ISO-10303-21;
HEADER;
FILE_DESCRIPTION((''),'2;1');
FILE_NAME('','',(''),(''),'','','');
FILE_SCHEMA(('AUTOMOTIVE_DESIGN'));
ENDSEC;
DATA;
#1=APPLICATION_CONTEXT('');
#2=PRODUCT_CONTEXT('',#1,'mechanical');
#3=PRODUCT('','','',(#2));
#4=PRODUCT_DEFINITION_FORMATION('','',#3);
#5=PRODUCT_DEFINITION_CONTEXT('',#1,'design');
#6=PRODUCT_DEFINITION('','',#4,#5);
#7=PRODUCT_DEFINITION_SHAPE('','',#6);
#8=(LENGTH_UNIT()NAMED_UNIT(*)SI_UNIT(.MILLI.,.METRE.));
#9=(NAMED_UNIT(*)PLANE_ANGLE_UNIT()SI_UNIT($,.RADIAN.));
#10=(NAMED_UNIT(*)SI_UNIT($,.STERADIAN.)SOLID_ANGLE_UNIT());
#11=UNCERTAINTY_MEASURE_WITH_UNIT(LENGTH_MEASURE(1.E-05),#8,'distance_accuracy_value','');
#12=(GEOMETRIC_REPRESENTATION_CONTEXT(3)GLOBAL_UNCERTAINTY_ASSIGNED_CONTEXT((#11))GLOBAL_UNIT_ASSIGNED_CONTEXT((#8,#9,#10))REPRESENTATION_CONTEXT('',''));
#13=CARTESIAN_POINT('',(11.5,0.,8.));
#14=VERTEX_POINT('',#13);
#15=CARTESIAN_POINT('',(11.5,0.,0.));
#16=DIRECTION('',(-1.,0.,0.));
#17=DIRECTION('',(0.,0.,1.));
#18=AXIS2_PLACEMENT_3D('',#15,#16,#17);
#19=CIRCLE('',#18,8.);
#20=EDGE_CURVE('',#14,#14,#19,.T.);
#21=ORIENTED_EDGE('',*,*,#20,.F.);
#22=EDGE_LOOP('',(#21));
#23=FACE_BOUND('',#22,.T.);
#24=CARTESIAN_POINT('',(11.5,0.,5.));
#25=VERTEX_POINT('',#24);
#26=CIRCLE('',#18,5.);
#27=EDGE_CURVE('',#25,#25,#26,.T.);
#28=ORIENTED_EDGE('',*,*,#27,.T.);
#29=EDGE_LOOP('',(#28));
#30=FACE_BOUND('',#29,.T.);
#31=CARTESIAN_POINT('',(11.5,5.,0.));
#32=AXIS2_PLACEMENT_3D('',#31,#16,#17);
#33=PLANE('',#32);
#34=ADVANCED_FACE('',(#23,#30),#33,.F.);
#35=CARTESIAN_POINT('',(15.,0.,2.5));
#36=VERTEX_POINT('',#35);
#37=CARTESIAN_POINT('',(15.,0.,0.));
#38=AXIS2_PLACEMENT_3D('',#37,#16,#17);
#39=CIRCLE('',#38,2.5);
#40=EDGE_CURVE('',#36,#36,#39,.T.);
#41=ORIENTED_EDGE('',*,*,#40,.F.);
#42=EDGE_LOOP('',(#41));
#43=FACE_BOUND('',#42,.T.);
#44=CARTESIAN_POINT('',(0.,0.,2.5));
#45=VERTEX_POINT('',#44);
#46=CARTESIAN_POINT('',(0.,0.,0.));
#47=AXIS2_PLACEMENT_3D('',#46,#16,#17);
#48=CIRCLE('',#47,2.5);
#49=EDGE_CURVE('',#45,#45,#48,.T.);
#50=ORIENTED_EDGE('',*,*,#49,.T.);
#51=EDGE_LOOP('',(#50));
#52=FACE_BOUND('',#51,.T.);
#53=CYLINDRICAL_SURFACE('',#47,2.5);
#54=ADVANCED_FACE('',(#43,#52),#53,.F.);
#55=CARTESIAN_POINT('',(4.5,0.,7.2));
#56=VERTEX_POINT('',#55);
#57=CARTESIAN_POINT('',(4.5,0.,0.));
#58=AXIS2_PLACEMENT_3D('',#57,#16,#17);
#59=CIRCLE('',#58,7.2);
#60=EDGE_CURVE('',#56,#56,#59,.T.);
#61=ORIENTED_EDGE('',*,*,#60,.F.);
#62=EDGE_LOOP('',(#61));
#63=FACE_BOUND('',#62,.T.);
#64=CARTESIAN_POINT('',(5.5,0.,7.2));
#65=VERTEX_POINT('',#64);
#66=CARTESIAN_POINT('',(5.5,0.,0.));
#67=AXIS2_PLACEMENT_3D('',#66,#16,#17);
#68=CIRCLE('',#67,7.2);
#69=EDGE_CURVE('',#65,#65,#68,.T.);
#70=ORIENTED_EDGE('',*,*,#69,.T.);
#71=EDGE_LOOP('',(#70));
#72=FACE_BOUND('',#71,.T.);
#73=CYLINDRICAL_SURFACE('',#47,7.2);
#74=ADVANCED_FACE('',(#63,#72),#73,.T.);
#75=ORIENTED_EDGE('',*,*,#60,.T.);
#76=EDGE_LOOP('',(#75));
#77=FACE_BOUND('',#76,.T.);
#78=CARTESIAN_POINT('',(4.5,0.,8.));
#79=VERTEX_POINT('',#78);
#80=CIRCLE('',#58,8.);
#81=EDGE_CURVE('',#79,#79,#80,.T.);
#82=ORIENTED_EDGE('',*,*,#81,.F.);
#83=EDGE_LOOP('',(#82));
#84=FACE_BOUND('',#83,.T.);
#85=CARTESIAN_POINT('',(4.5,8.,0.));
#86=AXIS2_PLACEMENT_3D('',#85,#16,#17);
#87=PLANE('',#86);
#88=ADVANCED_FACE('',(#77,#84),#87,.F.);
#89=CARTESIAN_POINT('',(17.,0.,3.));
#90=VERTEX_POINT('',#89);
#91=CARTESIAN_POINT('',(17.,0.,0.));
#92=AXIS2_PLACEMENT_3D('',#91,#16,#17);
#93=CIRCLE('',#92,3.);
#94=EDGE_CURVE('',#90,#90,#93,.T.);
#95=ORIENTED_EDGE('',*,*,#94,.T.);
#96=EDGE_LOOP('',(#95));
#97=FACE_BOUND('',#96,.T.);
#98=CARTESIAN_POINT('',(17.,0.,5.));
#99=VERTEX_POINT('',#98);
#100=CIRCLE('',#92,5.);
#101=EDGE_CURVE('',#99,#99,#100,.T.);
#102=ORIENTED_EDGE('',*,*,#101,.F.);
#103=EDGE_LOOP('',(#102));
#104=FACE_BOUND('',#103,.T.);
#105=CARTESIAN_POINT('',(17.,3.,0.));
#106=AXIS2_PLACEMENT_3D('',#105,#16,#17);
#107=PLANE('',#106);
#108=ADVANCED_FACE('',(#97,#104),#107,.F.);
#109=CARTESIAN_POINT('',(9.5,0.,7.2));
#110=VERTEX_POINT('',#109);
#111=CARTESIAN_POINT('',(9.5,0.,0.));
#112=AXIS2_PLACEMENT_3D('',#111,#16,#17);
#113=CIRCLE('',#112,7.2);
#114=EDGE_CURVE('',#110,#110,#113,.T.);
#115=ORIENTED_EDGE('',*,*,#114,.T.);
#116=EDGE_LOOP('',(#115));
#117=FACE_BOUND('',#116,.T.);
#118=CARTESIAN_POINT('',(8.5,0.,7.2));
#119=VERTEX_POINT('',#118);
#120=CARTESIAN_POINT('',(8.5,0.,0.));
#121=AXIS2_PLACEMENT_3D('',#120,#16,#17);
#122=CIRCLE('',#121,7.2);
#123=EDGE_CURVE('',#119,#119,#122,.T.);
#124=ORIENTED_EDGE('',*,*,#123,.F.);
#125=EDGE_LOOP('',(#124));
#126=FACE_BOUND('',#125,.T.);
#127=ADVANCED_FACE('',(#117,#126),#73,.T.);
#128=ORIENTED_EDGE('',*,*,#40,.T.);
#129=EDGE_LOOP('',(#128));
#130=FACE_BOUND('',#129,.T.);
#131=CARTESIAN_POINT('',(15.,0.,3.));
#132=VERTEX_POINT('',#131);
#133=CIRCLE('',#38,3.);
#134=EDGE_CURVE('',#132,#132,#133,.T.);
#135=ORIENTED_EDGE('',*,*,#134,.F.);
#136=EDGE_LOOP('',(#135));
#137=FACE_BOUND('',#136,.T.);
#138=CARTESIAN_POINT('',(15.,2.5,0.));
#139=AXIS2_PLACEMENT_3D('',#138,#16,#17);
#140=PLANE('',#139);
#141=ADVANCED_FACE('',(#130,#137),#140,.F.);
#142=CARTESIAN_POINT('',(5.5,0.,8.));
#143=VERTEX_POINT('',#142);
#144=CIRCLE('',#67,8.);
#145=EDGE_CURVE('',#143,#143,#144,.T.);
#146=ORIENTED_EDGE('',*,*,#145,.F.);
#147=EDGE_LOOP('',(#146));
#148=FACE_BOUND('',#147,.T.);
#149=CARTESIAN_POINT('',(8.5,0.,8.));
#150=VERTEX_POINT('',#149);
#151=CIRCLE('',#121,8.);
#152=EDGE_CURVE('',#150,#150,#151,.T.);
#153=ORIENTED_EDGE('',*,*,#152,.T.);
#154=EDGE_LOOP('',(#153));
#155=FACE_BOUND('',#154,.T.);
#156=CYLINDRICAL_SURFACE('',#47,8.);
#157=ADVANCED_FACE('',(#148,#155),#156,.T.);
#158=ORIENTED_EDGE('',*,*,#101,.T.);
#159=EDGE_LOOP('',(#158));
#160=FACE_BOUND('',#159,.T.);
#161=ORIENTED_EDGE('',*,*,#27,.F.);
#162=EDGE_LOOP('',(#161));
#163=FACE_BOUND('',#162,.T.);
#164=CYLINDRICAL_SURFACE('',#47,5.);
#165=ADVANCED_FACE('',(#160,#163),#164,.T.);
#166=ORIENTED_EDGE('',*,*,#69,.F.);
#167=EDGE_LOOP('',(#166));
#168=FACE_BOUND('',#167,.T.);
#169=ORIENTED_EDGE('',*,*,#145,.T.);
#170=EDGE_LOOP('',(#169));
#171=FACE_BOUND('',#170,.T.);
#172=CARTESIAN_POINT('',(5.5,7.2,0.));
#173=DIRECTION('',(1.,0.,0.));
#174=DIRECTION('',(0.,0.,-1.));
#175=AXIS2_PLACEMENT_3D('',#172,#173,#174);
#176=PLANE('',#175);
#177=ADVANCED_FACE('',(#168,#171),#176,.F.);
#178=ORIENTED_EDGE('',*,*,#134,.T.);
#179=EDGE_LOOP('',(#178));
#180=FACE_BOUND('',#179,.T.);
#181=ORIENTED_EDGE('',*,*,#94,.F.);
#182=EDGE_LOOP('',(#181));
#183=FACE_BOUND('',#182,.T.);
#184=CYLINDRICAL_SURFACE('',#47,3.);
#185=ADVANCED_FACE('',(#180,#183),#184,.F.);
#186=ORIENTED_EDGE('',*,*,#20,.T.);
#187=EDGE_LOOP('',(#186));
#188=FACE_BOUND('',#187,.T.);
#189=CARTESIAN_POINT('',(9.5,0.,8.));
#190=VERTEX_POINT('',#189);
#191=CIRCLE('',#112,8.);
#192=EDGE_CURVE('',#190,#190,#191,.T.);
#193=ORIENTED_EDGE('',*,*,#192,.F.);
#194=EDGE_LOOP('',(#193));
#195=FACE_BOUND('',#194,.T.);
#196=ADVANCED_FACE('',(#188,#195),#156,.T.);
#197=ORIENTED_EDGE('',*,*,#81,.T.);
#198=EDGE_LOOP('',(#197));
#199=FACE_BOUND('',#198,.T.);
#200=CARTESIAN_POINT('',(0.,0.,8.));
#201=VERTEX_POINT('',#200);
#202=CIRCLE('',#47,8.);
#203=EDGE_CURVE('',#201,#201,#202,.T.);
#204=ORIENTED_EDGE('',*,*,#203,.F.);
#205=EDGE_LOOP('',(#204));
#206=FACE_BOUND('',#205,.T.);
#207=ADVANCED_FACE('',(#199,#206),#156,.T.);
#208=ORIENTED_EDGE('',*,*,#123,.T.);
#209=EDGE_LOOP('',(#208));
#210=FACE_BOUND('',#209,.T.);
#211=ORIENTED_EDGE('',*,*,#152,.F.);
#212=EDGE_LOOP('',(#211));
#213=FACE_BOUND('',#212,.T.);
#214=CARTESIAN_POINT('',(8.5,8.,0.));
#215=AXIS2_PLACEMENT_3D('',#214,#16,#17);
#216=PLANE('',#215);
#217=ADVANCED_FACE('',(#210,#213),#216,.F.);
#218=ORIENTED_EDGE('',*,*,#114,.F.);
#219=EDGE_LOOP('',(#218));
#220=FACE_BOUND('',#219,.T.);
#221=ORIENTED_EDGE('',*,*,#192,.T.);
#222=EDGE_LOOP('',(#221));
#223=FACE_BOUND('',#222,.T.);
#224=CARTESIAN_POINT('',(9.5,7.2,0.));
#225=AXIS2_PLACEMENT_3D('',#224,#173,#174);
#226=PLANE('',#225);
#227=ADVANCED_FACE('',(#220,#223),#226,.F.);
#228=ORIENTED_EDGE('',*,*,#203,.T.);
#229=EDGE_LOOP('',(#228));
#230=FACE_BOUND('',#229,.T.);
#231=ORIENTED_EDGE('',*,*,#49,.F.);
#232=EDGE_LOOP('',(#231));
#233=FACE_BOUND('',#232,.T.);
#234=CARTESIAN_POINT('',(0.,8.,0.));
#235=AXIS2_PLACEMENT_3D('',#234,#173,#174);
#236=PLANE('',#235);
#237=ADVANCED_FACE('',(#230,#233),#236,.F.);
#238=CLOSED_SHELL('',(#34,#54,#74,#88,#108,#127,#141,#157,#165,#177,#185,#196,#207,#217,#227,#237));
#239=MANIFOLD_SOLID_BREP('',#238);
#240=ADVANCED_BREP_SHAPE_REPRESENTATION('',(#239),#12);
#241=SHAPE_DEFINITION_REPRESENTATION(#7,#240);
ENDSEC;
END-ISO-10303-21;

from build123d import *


with BuildPart() as part:
    # Skizze1 → Rotation1 (revolve)
    with BuildSketch(Plane.XY):
        Polygon((0, 8), (0, 2.5), (15, 2.5), (15, 3), (17, 3), (17, 5), (11.5, 5), (11.5, 8), (9.5, 8), (9.5, 7.2), (8.5, 7.2), (8.5, 8), (5.5, 8), (5.5, 7.2), (4.5, 7.2), (4.5, 8), align=None)
    revolve(axis=Axis((0, 0, 0), (1, 0, 0)))


solid = part.part
